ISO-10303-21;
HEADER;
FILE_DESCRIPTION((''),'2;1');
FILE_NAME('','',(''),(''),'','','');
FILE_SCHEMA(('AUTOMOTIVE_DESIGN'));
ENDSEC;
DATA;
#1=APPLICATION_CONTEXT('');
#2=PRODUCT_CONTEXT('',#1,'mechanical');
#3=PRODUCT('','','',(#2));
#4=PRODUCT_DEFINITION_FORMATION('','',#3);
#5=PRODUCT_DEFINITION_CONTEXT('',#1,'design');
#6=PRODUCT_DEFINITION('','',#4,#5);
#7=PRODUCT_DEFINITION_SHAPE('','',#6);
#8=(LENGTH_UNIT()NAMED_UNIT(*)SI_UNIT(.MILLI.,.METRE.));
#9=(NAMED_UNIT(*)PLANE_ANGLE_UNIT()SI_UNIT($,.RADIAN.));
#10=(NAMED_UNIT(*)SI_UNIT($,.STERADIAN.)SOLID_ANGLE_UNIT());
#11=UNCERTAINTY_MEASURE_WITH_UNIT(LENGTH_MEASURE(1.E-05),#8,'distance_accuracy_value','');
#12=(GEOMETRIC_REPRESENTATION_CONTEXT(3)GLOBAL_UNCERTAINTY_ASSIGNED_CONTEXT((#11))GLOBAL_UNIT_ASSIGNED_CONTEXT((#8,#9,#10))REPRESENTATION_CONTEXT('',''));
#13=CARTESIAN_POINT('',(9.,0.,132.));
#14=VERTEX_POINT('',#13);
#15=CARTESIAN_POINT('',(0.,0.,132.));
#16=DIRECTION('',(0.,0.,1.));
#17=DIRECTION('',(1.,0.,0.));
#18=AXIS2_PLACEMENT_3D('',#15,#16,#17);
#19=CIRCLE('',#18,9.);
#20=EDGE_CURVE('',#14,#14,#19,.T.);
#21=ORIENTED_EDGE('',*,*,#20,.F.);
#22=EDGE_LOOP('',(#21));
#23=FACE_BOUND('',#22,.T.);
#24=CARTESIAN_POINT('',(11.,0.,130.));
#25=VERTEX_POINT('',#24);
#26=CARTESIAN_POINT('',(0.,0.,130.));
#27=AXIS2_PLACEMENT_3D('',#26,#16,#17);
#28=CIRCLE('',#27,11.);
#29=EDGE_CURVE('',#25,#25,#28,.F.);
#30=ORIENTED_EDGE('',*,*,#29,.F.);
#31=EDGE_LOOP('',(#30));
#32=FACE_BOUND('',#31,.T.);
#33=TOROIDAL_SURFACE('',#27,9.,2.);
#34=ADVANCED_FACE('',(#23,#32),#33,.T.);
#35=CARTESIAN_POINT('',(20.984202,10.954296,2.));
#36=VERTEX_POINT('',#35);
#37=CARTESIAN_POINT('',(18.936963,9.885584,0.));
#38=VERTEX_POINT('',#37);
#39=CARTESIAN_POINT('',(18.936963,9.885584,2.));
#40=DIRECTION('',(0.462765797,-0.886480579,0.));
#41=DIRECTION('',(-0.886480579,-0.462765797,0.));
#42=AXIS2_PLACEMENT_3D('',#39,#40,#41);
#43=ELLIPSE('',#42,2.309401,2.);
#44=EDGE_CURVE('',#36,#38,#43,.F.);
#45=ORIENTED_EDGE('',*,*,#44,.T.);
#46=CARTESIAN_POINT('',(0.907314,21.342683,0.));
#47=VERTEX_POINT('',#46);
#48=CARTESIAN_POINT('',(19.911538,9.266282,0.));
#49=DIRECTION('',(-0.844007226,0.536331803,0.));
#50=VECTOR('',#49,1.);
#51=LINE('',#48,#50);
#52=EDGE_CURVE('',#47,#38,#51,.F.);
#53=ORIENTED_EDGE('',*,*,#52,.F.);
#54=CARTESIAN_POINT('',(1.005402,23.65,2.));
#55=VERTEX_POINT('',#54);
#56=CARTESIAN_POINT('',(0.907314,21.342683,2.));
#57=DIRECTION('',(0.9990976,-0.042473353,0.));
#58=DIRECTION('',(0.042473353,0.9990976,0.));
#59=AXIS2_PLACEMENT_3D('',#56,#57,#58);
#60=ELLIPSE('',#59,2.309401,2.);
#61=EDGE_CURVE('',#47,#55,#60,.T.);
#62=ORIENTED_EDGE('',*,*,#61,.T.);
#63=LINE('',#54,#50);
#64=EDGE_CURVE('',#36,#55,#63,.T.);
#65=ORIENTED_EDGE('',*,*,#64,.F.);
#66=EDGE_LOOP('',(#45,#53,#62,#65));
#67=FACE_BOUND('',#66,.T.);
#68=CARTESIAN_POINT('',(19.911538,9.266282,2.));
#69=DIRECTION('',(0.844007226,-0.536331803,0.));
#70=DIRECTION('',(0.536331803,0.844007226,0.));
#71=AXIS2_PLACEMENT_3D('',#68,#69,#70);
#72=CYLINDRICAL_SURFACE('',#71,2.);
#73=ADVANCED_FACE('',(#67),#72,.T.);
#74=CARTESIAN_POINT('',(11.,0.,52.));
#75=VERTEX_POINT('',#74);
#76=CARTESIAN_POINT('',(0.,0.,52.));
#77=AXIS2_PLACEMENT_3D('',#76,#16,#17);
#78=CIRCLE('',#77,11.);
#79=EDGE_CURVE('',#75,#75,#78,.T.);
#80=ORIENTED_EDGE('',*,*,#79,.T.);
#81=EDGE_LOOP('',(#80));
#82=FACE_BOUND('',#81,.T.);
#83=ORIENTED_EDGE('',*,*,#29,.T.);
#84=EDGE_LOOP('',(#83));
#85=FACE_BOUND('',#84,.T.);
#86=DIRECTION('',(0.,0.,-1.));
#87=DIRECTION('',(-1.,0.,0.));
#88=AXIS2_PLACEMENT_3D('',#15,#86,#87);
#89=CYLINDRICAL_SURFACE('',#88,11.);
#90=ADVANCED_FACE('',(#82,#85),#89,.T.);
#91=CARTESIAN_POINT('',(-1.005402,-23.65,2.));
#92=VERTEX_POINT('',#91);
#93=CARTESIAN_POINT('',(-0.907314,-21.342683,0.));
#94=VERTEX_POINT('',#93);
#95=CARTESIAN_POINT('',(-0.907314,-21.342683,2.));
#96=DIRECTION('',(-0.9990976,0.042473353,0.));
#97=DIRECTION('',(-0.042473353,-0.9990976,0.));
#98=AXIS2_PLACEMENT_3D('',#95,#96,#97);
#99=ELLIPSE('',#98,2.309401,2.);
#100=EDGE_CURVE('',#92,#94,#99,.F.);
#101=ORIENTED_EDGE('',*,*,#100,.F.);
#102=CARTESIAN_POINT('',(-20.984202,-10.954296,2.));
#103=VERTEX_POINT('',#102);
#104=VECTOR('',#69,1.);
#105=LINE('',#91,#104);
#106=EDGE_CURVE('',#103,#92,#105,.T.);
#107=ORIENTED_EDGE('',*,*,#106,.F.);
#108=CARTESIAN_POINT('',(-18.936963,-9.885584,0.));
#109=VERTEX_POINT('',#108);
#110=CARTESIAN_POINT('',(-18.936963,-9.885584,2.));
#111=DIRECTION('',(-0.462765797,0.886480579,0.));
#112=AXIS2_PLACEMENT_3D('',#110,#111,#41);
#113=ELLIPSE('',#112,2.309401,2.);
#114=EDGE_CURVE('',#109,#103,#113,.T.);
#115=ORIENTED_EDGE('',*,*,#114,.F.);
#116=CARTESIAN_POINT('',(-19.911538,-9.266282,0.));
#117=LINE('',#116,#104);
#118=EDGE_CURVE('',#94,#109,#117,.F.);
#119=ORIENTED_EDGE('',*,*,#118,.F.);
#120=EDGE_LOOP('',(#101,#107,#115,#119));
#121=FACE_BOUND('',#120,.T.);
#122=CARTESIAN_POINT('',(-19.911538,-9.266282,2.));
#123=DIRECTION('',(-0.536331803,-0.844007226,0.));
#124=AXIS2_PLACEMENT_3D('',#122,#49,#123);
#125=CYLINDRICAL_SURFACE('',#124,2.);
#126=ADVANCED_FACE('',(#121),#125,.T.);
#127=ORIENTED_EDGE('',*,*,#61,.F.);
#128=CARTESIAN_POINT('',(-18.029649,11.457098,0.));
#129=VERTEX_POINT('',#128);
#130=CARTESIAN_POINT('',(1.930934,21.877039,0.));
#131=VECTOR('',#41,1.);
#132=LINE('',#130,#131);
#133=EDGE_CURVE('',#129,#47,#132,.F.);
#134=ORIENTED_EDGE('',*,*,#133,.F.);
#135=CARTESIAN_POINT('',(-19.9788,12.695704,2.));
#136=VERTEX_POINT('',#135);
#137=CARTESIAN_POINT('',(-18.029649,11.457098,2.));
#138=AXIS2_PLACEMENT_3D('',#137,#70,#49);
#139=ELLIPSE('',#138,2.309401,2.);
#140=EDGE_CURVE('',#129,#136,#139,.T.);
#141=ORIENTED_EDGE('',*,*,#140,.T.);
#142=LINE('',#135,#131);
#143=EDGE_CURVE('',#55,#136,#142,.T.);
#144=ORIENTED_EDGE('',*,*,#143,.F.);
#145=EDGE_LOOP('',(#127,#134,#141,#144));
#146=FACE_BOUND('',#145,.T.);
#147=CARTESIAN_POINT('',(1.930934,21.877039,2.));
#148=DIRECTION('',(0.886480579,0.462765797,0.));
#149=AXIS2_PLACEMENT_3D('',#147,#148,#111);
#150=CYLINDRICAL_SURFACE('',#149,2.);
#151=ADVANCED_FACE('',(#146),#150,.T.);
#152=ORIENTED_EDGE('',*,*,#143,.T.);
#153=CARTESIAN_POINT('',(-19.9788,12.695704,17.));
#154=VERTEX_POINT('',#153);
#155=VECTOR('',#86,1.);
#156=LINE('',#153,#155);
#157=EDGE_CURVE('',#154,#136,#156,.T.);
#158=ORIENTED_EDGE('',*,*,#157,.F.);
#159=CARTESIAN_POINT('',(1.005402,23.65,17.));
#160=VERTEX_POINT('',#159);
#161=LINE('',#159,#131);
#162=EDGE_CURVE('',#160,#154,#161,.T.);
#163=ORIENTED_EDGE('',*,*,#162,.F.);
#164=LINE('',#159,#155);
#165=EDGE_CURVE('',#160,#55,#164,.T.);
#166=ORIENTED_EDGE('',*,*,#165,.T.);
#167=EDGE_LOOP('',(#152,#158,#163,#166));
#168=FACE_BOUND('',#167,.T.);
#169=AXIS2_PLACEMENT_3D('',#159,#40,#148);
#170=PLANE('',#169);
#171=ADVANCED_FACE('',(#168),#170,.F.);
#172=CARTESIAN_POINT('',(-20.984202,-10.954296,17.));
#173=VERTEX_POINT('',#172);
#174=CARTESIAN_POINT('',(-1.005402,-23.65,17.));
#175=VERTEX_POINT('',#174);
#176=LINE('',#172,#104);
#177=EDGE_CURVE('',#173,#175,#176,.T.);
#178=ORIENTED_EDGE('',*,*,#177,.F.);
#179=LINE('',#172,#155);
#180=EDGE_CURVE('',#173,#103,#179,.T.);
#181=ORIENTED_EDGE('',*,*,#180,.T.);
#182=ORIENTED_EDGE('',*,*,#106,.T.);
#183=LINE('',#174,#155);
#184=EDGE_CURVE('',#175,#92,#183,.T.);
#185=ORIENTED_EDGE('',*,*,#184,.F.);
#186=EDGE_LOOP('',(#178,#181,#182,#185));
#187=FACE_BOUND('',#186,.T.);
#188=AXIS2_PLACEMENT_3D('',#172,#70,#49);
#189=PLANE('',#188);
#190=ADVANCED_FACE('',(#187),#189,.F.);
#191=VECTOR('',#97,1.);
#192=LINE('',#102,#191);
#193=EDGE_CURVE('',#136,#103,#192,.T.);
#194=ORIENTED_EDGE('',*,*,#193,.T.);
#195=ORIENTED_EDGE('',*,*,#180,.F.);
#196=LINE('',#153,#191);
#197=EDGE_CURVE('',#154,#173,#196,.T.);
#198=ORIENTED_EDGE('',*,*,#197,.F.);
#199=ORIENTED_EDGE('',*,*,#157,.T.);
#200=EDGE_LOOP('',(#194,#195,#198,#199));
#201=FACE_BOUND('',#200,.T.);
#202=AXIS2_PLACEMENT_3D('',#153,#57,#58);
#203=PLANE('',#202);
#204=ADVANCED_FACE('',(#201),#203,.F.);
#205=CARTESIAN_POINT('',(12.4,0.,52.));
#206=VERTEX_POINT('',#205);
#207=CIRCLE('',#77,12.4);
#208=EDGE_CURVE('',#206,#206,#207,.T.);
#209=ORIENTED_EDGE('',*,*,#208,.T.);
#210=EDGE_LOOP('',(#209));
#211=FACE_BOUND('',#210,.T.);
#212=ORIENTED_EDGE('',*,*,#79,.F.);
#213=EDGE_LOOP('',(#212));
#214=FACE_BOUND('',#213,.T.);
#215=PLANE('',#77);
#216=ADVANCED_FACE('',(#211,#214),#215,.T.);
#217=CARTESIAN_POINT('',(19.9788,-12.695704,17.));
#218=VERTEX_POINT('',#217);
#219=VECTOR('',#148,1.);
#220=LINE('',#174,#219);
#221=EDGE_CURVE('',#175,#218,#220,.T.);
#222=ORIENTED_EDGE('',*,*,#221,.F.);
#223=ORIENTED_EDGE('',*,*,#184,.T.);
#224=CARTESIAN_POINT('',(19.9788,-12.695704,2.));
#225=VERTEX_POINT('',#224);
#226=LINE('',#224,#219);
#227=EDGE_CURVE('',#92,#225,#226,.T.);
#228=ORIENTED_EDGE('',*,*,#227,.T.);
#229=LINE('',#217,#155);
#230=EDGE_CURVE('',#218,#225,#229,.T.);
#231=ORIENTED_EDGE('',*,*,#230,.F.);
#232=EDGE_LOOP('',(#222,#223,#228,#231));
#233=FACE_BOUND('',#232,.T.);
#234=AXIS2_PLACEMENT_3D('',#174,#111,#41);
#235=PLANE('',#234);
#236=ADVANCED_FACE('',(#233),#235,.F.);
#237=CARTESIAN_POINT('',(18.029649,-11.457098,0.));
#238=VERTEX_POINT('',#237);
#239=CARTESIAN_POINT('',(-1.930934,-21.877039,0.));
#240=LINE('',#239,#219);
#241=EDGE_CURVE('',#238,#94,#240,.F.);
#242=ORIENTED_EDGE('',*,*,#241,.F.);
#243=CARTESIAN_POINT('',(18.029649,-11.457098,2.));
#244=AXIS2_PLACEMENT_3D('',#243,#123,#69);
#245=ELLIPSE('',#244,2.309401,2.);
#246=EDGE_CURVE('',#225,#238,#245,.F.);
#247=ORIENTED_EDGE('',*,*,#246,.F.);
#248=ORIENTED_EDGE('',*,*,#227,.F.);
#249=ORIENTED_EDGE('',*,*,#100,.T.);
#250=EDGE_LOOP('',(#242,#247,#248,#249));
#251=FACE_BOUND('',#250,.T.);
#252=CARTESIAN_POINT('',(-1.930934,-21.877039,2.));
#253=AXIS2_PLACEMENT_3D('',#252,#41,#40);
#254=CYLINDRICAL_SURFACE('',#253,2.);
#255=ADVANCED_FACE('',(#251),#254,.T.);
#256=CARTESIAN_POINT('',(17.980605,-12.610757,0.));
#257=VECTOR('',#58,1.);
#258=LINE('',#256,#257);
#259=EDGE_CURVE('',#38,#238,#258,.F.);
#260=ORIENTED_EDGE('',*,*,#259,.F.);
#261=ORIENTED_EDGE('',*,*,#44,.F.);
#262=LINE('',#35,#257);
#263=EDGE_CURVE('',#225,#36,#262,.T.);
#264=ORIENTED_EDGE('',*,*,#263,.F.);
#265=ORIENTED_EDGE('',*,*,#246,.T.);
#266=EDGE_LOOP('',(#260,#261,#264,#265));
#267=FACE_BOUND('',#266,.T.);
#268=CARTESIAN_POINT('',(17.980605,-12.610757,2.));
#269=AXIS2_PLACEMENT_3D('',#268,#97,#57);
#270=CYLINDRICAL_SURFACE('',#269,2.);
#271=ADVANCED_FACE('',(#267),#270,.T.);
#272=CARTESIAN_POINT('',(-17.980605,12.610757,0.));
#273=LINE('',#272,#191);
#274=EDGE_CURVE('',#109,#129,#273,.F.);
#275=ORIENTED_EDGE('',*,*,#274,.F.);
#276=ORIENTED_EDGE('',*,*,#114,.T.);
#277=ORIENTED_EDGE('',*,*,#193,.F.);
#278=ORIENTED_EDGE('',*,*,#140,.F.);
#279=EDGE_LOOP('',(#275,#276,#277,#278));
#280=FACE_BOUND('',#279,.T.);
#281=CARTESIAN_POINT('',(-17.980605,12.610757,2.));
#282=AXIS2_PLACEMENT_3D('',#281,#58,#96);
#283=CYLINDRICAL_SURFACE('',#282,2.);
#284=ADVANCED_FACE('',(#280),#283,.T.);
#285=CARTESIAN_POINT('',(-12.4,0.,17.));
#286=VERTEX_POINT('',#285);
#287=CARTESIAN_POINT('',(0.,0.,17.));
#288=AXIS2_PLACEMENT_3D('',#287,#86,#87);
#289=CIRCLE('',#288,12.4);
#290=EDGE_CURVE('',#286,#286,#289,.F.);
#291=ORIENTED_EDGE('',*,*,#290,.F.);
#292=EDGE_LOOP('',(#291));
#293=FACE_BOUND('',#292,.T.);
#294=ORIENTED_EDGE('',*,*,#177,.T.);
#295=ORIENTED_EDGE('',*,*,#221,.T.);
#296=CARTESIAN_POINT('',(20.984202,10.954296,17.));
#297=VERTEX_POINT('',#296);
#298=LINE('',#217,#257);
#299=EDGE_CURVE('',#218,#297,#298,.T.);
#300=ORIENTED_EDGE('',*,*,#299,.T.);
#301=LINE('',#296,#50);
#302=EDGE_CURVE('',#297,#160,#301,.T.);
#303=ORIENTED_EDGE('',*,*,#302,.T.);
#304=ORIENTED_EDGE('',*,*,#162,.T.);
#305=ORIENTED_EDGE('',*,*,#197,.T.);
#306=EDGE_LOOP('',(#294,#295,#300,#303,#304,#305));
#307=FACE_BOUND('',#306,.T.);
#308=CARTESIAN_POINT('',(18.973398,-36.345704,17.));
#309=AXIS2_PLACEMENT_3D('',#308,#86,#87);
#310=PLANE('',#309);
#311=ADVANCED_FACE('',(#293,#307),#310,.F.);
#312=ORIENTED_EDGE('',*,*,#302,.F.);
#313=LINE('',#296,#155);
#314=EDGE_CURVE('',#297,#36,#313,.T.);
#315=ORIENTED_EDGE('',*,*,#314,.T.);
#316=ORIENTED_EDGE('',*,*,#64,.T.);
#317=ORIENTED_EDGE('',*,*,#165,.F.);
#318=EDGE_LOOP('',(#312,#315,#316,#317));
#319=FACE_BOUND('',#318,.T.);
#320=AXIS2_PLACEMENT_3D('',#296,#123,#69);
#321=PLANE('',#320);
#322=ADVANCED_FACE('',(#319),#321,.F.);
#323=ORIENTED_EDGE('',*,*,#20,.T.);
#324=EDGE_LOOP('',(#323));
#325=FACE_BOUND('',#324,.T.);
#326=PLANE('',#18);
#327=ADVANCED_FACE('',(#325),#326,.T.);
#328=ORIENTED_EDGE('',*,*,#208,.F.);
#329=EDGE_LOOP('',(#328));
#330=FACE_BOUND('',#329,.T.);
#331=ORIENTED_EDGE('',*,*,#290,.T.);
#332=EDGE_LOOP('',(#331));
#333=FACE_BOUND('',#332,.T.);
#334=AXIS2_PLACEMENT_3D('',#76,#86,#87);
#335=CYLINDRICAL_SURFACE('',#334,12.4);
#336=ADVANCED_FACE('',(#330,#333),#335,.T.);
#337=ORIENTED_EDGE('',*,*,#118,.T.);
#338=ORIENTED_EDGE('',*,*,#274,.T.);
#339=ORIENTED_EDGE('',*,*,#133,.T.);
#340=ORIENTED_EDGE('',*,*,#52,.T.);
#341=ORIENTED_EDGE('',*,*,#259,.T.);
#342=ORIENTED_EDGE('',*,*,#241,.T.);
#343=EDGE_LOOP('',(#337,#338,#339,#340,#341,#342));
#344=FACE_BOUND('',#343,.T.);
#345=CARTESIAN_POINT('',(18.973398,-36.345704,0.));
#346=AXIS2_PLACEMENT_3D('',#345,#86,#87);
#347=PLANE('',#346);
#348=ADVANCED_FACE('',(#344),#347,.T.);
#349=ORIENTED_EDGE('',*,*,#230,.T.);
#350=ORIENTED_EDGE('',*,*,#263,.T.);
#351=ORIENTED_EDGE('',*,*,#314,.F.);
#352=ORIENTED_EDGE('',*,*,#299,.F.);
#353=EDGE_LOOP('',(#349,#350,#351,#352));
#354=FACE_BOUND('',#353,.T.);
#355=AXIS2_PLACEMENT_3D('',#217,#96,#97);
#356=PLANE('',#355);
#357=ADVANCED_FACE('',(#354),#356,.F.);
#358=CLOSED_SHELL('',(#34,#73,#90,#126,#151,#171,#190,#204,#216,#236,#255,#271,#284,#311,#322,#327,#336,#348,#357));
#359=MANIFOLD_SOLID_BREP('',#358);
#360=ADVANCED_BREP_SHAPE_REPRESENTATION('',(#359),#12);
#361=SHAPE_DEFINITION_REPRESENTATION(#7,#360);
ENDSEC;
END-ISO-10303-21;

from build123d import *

# Parameters (mm, degrees)
EXTRUDE_305_DEPTH = 17
SKETCH_2_R        = 12.4
EXTRUDE_1_DEPTH   = 35
FILLET_3_R        = 2
SKETCH_3_R        = 11
EXTRUDE_2_DEPTH   = 80
FILLET_4_R        = 2


with BuildPart() as part:
    # 草图1 → Extrude 305 (new body)
    with BuildSketch(Plane.XY):
        Polygon((20.984201837, 10.954296262), (1.005402075, 23.65), (-19.978799762, 12.695703738), (-20.984201837, -10.954296262), (-1.005402075, -23.65), (19.978799762, -12.695703738), align=None)
    extrude(amount=EXTRUDE_305_DEPTH)

    # 草图2 → 凸台-拉伸1 (add)
    with BuildSketch(Plane.XY.offset(17)):
        with Locations(Location((0, 0, 0), (0, 0, 180))):
            Circle(SKETCH_2_R)
    extrude(amount=EXTRUDE_1_DEPTH)

    # 圆角3
    fillet_3_edges = [part.edges().sort_by_distance(p)[0] for p in [
        (9.486698843, -18.172851869, 0),
        (-10.994801956, -17.302148131, 0),
        (-20.4815008, 0.870703738, 0),
        (-9.486698843, 18.172851869, 0),
        (10.994801956, 17.302148131, 0),
        (20.4815008, -0.870703738, 0),
    ]]
    fillet(fillet_3_edges, radius=FILLET_3_R)

    # 草图3 → 凸台-拉伸2 (add)
    with BuildSketch(Plane.XY.offset(52)):
        Circle(SKETCH_3_R)
    extrude(amount=EXTRUDE_2_DEPTH)

    # 圆角4
    fillet_4_edges = [part.edges().sort_by_distance(p)[0] for p in [
        (-11, 0, 132),
    ]]
    fillet(fillet_4_edges, radius=FILLET_4_R)


solid = part.part
